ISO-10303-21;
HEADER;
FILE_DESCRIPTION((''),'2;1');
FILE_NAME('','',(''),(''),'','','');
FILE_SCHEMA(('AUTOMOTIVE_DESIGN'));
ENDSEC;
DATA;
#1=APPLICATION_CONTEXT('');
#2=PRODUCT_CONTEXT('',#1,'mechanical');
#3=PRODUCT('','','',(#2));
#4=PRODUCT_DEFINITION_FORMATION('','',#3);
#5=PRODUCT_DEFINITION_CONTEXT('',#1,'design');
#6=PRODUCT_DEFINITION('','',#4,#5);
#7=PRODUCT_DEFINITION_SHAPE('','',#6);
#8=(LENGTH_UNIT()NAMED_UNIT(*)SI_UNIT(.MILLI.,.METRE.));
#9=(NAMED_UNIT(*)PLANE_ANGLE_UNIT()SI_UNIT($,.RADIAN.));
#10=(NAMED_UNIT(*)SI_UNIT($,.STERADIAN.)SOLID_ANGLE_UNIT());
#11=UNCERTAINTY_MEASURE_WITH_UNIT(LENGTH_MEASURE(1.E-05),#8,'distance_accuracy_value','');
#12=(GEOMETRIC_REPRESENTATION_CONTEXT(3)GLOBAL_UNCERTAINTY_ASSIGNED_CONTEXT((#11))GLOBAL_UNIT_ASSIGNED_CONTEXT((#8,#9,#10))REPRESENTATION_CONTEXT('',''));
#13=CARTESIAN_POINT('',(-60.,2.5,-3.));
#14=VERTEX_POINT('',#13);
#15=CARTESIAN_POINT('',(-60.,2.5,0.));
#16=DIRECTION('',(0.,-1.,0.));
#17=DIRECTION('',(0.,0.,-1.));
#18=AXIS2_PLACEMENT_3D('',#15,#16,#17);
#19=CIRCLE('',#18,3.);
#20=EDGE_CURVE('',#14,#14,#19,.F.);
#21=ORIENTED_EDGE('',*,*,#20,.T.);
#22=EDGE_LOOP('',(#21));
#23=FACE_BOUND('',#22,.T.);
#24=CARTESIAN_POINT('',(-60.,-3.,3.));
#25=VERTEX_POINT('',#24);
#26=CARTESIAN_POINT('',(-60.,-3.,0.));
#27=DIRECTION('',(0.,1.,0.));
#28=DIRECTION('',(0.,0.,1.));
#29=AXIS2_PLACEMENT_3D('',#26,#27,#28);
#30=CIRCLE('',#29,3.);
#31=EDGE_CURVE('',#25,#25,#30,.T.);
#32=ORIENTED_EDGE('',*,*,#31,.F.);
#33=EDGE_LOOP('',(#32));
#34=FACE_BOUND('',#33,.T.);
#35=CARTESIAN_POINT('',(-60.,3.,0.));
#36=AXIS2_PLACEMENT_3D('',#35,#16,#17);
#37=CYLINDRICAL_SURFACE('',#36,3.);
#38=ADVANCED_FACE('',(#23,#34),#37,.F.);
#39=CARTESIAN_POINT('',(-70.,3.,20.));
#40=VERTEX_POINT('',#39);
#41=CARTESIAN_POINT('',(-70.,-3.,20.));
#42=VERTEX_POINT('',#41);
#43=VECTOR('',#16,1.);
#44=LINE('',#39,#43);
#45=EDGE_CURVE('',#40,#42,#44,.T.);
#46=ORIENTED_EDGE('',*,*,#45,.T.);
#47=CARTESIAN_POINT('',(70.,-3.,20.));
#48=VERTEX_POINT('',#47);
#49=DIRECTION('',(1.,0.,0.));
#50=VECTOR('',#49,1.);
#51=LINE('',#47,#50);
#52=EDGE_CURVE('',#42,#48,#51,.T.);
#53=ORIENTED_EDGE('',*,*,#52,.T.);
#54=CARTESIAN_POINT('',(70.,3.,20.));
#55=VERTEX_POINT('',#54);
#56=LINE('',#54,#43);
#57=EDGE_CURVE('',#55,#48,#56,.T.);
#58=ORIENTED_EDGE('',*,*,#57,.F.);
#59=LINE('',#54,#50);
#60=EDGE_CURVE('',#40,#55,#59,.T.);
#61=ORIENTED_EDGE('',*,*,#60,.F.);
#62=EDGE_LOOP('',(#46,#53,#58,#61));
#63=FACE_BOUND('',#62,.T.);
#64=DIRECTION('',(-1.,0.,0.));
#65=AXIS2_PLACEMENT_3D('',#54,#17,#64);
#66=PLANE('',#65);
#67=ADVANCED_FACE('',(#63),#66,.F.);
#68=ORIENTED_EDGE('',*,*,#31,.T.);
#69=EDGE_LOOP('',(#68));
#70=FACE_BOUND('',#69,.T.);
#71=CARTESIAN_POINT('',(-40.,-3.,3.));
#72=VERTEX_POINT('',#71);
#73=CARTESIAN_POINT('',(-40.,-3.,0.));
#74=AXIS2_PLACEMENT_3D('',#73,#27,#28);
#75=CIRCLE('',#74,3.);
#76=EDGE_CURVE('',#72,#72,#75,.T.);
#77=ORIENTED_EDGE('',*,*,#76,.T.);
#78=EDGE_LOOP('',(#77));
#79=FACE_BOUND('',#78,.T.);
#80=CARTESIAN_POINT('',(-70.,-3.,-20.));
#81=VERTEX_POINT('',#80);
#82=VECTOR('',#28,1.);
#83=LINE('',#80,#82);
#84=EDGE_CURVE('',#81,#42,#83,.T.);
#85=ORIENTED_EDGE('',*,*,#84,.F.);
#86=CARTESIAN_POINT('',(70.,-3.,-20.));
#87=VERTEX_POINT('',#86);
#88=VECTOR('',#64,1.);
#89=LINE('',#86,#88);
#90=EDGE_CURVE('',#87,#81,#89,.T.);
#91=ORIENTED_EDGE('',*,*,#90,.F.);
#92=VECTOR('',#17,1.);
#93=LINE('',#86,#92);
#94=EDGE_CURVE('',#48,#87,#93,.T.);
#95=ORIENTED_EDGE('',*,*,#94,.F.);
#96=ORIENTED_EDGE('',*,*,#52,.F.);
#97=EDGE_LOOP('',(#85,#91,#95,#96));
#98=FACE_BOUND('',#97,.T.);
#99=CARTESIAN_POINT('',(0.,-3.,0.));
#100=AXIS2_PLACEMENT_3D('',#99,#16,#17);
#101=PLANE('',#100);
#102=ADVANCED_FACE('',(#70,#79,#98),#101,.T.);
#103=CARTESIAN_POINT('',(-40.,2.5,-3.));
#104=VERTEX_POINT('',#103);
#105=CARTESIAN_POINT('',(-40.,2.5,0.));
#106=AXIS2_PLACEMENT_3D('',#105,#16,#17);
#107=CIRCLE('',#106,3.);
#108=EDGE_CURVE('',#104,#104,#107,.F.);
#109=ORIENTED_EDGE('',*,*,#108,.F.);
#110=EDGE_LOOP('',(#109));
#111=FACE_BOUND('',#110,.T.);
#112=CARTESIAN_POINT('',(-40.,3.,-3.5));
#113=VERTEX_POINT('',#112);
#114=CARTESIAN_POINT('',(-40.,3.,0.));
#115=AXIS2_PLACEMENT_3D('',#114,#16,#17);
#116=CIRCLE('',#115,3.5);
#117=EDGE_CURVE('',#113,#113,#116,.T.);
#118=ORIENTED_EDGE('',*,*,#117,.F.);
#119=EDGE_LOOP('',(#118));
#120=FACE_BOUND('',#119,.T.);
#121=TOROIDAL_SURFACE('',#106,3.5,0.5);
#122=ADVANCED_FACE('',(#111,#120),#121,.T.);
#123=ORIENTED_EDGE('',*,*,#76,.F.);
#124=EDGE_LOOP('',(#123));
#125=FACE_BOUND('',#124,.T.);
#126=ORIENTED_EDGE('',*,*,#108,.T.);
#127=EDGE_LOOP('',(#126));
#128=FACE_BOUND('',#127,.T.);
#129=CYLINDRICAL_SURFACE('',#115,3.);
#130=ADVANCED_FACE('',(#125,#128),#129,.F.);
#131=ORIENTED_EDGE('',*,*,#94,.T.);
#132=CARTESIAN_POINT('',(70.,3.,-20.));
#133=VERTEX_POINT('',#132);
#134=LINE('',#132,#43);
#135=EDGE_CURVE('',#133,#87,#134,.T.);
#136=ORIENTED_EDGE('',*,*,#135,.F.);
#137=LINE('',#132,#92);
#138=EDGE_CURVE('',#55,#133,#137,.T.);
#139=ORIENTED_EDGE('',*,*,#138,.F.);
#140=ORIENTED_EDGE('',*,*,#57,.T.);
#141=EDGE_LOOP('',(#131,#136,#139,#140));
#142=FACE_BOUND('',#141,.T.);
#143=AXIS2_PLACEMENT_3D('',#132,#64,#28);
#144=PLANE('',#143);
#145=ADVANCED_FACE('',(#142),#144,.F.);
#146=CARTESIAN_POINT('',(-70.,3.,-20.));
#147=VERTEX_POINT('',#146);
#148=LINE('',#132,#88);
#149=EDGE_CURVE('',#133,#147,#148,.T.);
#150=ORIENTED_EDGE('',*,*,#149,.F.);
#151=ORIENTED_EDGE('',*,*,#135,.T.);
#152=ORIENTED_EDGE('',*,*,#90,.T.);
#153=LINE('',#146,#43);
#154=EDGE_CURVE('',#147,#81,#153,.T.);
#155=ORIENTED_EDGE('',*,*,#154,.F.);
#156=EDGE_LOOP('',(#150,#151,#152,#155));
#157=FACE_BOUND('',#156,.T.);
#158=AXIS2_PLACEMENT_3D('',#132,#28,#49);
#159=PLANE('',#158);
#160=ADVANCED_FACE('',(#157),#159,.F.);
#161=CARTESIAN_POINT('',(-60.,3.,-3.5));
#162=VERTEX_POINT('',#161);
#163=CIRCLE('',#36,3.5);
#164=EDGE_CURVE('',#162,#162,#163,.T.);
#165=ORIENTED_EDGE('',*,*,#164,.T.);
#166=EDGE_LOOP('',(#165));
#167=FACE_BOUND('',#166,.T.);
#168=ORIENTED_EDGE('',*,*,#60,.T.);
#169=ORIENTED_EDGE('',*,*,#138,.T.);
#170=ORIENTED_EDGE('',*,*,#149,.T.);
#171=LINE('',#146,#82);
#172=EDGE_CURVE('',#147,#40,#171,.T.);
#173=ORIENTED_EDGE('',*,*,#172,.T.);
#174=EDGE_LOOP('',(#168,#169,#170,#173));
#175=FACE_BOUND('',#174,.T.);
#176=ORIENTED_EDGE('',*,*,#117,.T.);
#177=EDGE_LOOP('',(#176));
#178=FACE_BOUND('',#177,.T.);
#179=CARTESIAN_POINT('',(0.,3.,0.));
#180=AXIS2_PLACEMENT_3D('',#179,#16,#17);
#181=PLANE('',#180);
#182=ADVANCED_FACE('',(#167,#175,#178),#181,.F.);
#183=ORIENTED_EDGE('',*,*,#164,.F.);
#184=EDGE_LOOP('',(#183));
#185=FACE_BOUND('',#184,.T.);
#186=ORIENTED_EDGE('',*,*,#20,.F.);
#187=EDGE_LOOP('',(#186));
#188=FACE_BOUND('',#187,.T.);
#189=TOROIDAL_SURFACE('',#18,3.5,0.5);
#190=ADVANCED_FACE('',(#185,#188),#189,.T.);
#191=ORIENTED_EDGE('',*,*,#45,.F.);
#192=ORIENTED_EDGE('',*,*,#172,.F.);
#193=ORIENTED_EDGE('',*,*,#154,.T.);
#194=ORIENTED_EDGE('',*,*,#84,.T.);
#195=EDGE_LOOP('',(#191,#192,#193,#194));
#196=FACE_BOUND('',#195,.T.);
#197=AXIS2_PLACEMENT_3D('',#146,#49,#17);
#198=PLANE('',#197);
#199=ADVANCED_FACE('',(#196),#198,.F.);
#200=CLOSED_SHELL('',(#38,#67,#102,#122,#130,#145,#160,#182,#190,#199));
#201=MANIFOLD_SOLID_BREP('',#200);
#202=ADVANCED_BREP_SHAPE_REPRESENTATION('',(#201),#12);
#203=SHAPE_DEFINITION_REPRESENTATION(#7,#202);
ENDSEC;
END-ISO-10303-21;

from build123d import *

# Parameters (mm, degrees)
SKETCH1_W           = 140
SKETCH1_H           = 40
SKETCH1_R           = 3
BOSS_EXTRUDE1_DEPTH = 3
FILLET1_R           = 0.5


with BuildPart() as part:
    # Sketch1 → Boss-Extrude1 (new, symmetric)
    with BuildSketch(Plane(origin=(0, 0, 0), x_dir=(1, 0, 0), z_dir=(0, 1, 0))):
        Rectangle(SKETCH1_W, SKETCH1_H)
        with Locations(Location((-40, 0, 0), (0, 0, 270))):
            Circle(SKETCH1_R, mode=Mode.SUBTRACT)
        with Locations(Location((-60, 0, 0), (0, 0, 270))):
            Circle(SKETCH1_R, mode=Mode.SUBTRACT)
    extrude(amount=BOSS_EXTRUDE1_DEPTH, both=True)

    # Fillet1
    fillet1_edges = [part.edges().sort_by_distance(p)[0] for p in [
        (-40, 3, -3),
        (-60, 3, -3),
    ]]
    fillet(fillet1_edges, radius=FILLET1_R)


solid = part.part
